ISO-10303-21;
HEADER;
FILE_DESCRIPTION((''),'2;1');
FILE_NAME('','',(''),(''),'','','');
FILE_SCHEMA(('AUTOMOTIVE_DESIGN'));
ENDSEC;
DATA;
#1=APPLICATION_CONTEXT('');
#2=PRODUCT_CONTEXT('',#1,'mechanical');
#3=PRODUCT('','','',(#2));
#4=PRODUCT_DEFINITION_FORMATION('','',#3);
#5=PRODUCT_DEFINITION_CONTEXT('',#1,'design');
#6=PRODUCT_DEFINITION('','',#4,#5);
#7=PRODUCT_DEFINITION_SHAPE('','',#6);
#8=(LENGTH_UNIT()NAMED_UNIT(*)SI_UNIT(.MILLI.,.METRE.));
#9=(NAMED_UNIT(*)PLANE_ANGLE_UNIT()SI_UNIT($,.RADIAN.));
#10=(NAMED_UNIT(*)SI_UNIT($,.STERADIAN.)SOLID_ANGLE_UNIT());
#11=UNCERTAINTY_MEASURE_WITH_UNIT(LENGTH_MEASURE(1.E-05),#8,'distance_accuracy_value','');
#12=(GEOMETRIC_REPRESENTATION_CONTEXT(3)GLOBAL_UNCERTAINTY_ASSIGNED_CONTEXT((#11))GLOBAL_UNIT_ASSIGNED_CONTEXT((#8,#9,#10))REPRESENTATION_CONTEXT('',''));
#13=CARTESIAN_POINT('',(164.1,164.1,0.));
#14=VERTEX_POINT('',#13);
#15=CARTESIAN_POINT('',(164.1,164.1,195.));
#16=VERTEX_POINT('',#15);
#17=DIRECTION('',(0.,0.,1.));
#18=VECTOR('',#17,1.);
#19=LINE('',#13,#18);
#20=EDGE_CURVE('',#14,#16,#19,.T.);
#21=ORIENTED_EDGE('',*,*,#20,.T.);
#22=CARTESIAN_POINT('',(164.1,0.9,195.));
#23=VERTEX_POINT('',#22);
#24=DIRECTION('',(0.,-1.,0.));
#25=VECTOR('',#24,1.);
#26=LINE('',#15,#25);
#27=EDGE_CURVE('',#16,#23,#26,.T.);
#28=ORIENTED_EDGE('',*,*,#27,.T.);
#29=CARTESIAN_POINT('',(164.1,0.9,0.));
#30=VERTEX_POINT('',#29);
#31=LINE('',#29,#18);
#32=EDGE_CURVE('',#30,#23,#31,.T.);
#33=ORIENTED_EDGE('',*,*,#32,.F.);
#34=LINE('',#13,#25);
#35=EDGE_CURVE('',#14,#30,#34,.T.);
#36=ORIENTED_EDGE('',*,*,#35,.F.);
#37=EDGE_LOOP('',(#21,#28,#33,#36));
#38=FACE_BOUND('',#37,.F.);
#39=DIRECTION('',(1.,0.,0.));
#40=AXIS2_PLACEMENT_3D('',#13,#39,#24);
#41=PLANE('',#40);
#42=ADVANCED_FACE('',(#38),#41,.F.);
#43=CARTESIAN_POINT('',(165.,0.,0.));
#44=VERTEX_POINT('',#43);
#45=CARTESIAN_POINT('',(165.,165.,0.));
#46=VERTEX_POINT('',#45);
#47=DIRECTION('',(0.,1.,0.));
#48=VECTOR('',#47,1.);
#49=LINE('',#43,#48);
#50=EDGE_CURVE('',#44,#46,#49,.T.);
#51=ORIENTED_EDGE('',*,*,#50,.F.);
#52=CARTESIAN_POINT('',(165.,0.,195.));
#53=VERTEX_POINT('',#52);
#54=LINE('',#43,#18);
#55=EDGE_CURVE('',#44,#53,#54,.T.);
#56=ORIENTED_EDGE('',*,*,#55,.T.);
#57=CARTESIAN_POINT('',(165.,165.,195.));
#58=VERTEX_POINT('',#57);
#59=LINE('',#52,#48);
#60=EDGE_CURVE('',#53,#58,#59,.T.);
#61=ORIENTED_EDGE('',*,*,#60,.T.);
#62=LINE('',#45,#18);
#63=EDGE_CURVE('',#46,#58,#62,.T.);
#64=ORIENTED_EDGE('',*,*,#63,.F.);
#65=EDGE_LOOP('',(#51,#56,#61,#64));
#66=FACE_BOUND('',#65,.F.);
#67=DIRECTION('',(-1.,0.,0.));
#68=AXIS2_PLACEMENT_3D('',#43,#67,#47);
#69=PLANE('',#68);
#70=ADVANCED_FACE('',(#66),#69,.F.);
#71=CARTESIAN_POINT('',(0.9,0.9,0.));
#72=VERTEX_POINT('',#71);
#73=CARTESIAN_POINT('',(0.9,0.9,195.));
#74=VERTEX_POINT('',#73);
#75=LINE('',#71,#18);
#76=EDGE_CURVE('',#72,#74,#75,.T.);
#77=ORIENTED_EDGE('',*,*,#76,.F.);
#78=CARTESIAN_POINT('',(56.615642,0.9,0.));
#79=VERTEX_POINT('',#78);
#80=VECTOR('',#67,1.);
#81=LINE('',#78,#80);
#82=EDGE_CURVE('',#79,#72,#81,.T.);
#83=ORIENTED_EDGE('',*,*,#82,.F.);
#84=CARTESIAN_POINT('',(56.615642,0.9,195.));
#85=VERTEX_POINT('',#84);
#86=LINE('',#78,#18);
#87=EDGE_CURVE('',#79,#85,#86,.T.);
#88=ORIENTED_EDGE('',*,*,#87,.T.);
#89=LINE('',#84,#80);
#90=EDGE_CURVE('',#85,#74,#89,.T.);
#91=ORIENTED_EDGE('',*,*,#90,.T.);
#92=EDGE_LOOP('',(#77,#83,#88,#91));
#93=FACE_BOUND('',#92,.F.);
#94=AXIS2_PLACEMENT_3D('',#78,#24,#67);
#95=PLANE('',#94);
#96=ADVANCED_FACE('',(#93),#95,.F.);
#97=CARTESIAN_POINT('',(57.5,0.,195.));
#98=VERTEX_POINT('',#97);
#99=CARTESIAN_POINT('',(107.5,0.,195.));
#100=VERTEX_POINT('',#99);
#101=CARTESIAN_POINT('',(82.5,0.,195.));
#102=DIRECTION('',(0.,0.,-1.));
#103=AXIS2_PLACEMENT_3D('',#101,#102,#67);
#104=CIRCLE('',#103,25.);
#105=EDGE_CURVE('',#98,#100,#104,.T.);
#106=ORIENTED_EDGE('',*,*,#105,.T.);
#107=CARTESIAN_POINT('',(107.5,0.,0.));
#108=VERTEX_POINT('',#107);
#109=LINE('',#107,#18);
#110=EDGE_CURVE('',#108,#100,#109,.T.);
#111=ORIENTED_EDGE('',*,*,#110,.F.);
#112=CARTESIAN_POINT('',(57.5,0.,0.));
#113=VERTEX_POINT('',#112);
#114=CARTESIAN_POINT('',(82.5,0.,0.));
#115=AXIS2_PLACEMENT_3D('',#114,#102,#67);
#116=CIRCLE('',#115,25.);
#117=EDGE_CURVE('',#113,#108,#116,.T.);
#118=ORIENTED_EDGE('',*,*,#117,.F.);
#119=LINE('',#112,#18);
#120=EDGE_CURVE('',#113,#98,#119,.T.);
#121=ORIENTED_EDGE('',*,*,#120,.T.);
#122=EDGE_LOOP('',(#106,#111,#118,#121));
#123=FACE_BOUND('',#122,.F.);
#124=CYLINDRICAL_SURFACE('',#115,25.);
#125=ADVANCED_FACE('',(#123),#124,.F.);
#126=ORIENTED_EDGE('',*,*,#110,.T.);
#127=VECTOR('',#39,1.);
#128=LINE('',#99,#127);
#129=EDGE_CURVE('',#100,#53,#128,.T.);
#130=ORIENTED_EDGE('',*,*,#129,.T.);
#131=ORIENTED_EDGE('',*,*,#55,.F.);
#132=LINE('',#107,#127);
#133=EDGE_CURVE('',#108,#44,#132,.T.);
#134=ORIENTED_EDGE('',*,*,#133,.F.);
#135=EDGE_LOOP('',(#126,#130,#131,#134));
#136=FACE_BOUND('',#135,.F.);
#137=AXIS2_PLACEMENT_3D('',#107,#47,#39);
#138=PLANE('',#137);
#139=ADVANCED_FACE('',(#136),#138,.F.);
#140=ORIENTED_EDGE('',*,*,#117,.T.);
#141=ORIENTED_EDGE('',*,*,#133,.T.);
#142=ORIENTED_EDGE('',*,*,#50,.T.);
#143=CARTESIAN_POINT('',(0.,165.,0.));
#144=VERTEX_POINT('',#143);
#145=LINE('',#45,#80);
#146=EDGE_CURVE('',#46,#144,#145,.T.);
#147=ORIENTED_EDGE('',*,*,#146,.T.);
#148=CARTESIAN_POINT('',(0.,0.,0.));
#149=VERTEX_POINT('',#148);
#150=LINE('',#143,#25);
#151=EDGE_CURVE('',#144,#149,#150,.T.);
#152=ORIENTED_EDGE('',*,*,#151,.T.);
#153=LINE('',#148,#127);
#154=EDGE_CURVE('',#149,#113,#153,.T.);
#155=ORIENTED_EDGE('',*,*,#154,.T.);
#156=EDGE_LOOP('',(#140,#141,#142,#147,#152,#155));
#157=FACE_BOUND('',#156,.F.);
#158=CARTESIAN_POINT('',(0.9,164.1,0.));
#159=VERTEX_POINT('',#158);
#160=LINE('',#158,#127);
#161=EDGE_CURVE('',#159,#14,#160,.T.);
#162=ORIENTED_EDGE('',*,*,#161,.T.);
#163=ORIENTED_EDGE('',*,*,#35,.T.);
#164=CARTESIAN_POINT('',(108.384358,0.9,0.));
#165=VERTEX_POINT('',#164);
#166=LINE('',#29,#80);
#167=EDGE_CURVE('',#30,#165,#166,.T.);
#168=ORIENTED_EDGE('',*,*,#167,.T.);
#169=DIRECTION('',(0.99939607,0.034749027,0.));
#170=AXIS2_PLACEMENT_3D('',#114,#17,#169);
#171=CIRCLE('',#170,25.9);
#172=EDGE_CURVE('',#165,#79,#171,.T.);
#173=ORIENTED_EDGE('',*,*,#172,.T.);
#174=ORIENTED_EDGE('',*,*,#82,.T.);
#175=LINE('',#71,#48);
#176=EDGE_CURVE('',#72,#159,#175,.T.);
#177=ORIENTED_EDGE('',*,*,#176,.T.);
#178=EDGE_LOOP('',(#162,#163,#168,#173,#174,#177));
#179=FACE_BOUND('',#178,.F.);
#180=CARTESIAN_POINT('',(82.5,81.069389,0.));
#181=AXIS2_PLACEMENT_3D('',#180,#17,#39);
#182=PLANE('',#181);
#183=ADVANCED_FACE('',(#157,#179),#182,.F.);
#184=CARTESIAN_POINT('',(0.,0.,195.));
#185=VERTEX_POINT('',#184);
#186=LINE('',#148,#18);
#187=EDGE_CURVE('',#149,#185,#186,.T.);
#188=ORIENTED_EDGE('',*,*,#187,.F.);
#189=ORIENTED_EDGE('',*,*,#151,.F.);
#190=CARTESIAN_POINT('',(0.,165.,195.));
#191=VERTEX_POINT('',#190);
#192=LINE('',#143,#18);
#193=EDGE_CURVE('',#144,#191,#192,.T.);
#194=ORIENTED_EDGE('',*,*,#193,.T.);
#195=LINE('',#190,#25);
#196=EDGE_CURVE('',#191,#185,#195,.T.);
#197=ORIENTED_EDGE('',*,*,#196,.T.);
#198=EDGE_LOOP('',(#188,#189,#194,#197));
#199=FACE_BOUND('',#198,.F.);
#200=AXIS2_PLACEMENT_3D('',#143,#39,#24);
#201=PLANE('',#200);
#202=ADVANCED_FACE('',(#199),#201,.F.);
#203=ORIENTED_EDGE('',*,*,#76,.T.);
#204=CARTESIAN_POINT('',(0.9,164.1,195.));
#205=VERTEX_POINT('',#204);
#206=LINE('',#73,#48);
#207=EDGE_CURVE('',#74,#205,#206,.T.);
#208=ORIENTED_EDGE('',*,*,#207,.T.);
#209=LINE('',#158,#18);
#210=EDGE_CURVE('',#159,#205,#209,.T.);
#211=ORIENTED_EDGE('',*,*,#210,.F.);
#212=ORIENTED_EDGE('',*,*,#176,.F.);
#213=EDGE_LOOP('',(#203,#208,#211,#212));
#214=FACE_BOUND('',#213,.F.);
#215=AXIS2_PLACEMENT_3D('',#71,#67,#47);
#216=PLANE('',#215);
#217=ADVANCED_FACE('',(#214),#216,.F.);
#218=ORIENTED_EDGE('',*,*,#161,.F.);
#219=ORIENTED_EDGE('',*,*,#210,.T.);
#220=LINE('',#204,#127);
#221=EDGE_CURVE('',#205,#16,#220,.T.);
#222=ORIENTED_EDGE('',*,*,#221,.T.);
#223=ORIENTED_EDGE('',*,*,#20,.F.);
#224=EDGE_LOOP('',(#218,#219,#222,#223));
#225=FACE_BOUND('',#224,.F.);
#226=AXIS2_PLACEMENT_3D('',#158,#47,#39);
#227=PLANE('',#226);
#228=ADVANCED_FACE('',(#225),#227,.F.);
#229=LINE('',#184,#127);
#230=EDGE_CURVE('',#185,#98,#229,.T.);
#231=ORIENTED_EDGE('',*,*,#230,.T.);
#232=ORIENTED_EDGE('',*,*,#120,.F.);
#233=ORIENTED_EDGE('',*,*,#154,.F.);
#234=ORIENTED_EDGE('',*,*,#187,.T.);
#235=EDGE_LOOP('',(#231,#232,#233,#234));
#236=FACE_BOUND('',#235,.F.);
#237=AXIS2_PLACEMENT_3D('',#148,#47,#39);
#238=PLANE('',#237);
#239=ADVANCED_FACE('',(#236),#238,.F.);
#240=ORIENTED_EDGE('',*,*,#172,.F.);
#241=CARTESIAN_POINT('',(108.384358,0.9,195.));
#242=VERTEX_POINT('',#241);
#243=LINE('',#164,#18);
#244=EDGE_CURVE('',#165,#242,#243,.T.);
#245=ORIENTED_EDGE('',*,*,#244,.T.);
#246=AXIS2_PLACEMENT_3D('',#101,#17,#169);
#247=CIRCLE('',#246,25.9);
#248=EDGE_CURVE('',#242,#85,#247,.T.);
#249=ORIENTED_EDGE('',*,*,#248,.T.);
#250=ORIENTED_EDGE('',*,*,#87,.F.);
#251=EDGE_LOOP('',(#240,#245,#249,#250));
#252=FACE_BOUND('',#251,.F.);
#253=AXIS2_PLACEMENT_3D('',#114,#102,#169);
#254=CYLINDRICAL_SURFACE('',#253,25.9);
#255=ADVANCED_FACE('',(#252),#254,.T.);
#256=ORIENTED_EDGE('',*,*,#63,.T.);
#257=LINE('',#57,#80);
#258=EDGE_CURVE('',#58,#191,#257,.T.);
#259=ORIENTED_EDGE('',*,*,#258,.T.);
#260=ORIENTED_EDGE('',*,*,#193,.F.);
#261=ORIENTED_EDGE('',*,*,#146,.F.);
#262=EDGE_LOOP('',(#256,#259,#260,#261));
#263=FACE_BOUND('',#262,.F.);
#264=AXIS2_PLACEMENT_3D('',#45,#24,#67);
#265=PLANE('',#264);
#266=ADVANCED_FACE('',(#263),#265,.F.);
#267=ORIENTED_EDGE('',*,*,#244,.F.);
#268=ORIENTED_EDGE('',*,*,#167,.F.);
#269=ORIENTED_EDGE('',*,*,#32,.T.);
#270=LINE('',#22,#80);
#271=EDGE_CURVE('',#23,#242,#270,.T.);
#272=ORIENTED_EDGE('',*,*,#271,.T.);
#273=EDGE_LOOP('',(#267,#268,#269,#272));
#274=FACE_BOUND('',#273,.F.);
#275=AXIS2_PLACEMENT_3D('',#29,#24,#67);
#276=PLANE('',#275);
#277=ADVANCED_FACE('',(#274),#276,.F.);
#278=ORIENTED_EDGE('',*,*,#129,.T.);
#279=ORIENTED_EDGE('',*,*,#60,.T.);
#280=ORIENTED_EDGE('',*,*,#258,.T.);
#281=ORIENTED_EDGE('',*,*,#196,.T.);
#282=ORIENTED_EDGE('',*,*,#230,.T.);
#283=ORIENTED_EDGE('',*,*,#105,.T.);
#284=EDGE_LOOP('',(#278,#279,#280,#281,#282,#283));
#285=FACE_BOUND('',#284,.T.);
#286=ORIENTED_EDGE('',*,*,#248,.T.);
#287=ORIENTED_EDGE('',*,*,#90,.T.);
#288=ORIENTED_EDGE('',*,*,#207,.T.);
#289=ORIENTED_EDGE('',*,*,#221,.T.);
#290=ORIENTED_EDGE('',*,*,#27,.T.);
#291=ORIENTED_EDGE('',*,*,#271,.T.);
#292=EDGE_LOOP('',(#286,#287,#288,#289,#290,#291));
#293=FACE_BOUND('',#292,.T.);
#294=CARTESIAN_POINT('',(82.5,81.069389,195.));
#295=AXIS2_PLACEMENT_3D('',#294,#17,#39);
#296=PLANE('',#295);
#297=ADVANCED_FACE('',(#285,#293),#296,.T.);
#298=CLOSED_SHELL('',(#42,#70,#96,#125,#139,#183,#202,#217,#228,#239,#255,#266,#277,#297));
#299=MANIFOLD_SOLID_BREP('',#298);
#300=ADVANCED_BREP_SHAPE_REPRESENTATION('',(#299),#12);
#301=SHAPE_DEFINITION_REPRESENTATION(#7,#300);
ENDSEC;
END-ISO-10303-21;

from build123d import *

# Parameters (mm, degrees)
F1_DEPTH = 195


with BuildPart() as f1:
    # F0 (on Top) → F1 (new body)
    with BuildSketch(Plane.XY):
        with BuildLine():
            Line((0, 165), (0, 0))
            Line((0, 0), (57.5, 0))
            ThreePointArc((57.5, 0), (82.5, 25), (107.5, 0))
            Line((107.5, 0), (165, 0))
            Line((165, 0), (165, 165))
            Line((165, 165), (0, 165))
        make_face()
        with BuildLine():
            Line((56.615642, 0.9), (0.9, 0.9))
            Line((0.9, 0.9), (0.9, 164.1))
            Line((0.9, 164.1), (164.1, 164.1))
            Line((164.1, 164.1), (164.1, 0.9))
            Line((164.1, 0.9), (108.384358, 0.9))
            ThreePointArc((108.384358, 0.9), (82.5, 25.9), (56.615642, 0.9))
        make_face(mode=Mode.SUBTRACT)
    extrude(amount=F1_DEPTH)


solid = f1.part
